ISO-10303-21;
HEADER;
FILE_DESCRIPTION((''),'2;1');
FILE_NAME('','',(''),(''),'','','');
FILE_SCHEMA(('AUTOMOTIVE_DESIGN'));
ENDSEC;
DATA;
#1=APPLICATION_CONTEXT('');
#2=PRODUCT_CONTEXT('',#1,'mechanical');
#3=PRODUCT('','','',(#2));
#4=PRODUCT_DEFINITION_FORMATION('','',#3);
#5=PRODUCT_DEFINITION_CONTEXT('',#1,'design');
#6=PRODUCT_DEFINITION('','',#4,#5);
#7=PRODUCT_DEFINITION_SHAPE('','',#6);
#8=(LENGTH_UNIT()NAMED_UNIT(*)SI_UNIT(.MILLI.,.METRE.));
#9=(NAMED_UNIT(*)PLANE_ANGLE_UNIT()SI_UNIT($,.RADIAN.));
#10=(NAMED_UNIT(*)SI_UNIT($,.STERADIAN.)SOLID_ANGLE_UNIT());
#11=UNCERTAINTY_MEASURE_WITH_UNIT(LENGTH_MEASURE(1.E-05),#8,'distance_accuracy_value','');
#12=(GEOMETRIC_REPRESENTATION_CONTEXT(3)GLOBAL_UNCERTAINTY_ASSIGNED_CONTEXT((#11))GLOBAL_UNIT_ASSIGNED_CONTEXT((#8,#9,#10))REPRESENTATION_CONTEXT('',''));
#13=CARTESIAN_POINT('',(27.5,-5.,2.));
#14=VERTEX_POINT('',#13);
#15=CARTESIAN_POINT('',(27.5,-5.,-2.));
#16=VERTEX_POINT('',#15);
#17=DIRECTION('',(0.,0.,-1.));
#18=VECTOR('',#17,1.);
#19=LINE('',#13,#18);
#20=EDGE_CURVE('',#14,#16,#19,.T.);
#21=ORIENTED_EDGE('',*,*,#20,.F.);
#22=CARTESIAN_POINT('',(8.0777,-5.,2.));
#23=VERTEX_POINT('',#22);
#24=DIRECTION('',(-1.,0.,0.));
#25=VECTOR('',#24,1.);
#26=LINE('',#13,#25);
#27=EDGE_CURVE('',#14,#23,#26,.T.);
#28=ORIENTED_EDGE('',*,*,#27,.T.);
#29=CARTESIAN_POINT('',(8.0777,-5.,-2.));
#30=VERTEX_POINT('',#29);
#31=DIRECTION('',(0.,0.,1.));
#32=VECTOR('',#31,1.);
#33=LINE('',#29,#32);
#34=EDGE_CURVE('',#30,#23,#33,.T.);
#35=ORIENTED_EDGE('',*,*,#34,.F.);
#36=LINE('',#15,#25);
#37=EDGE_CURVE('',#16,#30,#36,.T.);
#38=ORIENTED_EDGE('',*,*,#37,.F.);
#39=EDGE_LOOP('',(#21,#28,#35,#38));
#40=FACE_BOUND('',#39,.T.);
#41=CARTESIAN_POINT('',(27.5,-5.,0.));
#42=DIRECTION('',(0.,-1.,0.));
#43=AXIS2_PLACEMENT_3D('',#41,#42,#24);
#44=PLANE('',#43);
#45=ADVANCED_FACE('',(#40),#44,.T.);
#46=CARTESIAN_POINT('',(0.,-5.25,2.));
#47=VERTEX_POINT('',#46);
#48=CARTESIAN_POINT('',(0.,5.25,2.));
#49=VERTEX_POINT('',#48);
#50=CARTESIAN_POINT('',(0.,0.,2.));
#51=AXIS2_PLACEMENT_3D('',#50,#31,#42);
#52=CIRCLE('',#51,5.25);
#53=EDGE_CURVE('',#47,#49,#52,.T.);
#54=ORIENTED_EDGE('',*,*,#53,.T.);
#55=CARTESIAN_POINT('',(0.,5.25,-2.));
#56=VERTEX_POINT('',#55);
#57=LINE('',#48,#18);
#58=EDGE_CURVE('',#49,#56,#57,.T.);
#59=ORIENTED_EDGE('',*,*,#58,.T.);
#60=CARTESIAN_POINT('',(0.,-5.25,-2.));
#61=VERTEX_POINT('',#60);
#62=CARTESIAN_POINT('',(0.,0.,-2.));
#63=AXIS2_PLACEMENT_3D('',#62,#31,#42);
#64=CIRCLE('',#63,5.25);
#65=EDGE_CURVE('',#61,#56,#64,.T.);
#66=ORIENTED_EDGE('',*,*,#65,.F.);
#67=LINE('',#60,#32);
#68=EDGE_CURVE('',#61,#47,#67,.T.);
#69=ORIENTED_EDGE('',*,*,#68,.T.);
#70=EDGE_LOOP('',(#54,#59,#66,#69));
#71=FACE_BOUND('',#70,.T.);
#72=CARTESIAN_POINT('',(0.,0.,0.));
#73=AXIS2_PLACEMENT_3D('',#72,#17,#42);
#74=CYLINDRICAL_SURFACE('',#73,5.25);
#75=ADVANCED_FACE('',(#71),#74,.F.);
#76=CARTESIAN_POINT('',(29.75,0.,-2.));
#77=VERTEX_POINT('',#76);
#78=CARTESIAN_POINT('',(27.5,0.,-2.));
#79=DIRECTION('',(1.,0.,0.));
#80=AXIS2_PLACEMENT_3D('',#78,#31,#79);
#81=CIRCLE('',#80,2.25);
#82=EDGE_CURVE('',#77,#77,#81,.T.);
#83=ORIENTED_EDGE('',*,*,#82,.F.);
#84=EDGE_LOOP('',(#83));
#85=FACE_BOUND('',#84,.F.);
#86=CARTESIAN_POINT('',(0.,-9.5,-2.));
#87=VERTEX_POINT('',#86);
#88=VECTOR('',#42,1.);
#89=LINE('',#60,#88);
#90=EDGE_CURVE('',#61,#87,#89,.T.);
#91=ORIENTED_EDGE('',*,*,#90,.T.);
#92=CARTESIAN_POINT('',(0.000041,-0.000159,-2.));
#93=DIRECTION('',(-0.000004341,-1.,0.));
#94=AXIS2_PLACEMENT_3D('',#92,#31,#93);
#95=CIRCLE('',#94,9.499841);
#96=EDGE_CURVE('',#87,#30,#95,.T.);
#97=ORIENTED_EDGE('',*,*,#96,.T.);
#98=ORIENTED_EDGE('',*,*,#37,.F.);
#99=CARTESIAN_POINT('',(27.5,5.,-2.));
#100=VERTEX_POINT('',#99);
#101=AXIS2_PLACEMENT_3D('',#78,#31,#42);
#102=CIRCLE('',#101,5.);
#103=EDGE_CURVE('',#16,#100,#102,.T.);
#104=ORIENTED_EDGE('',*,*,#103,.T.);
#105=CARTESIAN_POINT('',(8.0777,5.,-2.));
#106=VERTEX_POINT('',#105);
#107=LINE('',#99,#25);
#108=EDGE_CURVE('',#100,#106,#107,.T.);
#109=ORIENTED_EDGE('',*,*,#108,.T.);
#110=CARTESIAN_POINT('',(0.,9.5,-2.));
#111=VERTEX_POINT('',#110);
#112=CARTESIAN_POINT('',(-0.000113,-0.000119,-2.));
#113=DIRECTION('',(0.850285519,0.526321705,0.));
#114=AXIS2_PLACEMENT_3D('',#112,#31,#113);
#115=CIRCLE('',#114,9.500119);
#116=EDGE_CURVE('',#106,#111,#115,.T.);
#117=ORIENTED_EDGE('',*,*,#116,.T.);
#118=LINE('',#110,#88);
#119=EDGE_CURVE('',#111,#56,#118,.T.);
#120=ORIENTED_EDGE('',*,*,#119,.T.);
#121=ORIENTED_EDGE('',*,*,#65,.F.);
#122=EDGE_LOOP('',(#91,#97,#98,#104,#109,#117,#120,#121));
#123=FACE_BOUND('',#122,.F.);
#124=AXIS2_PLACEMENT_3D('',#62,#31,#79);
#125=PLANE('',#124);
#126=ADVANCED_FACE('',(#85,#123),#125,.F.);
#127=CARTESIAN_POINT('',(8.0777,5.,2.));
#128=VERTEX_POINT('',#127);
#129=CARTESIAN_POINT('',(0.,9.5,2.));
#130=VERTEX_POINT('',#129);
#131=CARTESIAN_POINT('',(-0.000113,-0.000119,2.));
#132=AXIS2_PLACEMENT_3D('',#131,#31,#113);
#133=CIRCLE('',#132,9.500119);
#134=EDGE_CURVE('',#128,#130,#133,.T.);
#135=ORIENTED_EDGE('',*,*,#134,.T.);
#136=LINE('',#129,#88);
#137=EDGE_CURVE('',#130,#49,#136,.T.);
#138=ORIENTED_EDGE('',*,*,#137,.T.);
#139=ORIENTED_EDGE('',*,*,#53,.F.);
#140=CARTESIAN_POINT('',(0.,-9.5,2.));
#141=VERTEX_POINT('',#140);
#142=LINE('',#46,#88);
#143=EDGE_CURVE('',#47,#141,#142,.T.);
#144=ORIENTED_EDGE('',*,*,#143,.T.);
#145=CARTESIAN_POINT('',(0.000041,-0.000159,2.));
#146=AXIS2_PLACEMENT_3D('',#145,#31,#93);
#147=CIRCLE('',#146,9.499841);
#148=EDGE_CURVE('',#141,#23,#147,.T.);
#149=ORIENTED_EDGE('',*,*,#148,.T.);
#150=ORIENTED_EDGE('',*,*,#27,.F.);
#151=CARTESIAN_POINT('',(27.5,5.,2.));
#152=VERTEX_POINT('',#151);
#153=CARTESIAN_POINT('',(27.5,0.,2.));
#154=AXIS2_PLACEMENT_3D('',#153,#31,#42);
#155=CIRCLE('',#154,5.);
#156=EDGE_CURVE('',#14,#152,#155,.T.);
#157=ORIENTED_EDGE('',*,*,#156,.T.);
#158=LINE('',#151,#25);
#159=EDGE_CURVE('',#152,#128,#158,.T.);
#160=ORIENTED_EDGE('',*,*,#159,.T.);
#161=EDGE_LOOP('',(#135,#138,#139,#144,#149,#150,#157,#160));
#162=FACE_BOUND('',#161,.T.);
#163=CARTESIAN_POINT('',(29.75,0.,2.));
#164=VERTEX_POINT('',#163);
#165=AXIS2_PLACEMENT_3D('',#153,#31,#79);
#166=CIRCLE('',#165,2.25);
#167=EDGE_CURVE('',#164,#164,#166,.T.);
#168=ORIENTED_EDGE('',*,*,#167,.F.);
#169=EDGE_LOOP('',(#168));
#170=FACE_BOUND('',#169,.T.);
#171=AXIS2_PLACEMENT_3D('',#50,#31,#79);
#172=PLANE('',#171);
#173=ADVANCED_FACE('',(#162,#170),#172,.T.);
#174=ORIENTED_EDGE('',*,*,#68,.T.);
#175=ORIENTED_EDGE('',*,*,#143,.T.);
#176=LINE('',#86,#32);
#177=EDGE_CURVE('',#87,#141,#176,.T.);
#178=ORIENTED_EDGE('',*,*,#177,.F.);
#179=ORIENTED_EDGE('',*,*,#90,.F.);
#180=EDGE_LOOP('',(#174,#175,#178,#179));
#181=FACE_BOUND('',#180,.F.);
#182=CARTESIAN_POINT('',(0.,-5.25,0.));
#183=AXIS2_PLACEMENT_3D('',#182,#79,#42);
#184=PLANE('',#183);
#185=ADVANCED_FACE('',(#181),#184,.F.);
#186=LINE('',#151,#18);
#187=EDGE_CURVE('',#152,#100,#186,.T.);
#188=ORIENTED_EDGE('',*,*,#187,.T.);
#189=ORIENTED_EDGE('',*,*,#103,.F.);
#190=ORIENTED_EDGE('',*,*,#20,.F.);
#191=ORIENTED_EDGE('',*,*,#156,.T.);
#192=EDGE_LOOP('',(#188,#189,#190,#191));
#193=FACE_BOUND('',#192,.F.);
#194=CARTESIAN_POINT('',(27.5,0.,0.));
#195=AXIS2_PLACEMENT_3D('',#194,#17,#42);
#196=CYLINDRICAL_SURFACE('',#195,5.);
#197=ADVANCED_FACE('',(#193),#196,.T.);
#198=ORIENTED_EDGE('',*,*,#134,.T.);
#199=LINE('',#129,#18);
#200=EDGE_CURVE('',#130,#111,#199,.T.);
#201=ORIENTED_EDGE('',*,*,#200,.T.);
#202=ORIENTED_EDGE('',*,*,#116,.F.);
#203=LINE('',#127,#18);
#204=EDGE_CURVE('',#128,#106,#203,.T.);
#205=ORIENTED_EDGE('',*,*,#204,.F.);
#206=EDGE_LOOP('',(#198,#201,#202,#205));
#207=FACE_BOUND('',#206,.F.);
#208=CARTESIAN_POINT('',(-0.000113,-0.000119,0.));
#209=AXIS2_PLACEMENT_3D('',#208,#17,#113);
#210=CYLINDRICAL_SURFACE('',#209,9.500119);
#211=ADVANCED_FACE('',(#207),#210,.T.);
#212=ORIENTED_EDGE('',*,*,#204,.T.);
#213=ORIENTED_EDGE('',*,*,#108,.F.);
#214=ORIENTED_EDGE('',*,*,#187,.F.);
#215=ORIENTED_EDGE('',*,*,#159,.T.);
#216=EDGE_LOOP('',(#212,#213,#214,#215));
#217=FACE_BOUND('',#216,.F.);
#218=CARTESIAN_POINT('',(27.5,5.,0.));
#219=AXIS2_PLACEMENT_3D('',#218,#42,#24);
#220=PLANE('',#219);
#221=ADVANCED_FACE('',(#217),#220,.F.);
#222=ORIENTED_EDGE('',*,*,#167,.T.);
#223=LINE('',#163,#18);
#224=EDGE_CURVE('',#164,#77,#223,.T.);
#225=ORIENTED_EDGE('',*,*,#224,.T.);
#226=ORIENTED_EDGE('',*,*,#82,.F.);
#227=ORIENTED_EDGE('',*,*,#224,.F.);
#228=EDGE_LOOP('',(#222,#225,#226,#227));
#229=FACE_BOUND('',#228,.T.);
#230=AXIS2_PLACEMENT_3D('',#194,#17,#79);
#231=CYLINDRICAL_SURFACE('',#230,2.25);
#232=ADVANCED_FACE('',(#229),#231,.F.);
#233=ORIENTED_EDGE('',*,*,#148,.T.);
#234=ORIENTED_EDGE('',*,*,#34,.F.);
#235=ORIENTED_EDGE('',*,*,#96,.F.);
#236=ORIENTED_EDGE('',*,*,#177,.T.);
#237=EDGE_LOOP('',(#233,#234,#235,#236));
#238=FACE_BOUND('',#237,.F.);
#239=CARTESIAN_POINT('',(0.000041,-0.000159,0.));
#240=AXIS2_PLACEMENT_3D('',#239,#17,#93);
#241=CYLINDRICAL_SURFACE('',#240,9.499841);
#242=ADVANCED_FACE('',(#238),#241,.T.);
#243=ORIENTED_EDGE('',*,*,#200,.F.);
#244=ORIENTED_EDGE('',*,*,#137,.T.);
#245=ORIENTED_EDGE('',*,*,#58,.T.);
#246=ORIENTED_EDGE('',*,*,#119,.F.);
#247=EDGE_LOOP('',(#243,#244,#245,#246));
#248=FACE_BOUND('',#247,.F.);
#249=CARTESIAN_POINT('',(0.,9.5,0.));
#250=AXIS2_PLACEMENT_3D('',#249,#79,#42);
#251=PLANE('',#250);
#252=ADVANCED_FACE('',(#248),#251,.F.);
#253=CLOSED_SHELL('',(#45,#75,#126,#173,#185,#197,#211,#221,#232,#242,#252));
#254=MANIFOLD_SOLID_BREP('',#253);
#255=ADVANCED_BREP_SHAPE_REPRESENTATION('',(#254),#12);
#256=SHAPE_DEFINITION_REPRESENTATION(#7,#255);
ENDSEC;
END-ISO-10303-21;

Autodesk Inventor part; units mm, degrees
ref_plane "YZ Plane" through (0, 0, 0) normal (1, 0, 0) x (0, 1, 0)
ref_plane "XZ Plane" through (0, 0, 0) normal (0, 1, 0) x (-1, 0, 0)
ref_plane "XY Plane" through (0, 0, 0) normal (0, 0, 1) x (1, 0, 0)
sketch "Sketch1" plane through (0, 0, 0) normal (0, 0, 1) x (1, 0, 0)
  arc A0 (0, -5.25) -> (0, 5.25) centre (0, 0) ccw
  arc A1 (8.0777, 5) -> (0, 9.5) centre (0, 0) ccw
  line L0 (0, 0) -> (27.5, 0) construction
  arc A2 (27.5, 5) -> (27.5, -5) centre (27.5, 0) ccw construction
  line L1 (0, 9.5) -> (0, 5.25)
  line L2 (27.5, 5) -> (8.0777, 5)
  line L3 (27.5, -5) -> (8.0777, -5)
  arc A3 (27.5, -5) -> (27.5, 5) centre (27.5, 0) ccw
  circle A4 centre (27.5, 0) radius 2.25
  arc A5 (0, 9.5) -> (0, -9.5) centre (0, 0) ccw construction
  arc A6 (0, -9.5) -> (8.0777, -5) centre (0, 0) ccw
  arc A7 (0, 5.25) -> (0, -5.25) centre (0, 0) ccw construction
  line L4 (0, 5.25) -> (0, -5.25) construction
  line L5 (0, -5.25) -> (0, -9.5)
  dimension "d2" = 10
  dimension "d4" = 4.5
  dimension "d5" = 5.25
  dimension "d6" = 9.5
  dimension "d7" = 27.5
extrude "Extrusion1" add sketch "Sketch1" along normal mid plane 4
properties part number "garfo-1"
